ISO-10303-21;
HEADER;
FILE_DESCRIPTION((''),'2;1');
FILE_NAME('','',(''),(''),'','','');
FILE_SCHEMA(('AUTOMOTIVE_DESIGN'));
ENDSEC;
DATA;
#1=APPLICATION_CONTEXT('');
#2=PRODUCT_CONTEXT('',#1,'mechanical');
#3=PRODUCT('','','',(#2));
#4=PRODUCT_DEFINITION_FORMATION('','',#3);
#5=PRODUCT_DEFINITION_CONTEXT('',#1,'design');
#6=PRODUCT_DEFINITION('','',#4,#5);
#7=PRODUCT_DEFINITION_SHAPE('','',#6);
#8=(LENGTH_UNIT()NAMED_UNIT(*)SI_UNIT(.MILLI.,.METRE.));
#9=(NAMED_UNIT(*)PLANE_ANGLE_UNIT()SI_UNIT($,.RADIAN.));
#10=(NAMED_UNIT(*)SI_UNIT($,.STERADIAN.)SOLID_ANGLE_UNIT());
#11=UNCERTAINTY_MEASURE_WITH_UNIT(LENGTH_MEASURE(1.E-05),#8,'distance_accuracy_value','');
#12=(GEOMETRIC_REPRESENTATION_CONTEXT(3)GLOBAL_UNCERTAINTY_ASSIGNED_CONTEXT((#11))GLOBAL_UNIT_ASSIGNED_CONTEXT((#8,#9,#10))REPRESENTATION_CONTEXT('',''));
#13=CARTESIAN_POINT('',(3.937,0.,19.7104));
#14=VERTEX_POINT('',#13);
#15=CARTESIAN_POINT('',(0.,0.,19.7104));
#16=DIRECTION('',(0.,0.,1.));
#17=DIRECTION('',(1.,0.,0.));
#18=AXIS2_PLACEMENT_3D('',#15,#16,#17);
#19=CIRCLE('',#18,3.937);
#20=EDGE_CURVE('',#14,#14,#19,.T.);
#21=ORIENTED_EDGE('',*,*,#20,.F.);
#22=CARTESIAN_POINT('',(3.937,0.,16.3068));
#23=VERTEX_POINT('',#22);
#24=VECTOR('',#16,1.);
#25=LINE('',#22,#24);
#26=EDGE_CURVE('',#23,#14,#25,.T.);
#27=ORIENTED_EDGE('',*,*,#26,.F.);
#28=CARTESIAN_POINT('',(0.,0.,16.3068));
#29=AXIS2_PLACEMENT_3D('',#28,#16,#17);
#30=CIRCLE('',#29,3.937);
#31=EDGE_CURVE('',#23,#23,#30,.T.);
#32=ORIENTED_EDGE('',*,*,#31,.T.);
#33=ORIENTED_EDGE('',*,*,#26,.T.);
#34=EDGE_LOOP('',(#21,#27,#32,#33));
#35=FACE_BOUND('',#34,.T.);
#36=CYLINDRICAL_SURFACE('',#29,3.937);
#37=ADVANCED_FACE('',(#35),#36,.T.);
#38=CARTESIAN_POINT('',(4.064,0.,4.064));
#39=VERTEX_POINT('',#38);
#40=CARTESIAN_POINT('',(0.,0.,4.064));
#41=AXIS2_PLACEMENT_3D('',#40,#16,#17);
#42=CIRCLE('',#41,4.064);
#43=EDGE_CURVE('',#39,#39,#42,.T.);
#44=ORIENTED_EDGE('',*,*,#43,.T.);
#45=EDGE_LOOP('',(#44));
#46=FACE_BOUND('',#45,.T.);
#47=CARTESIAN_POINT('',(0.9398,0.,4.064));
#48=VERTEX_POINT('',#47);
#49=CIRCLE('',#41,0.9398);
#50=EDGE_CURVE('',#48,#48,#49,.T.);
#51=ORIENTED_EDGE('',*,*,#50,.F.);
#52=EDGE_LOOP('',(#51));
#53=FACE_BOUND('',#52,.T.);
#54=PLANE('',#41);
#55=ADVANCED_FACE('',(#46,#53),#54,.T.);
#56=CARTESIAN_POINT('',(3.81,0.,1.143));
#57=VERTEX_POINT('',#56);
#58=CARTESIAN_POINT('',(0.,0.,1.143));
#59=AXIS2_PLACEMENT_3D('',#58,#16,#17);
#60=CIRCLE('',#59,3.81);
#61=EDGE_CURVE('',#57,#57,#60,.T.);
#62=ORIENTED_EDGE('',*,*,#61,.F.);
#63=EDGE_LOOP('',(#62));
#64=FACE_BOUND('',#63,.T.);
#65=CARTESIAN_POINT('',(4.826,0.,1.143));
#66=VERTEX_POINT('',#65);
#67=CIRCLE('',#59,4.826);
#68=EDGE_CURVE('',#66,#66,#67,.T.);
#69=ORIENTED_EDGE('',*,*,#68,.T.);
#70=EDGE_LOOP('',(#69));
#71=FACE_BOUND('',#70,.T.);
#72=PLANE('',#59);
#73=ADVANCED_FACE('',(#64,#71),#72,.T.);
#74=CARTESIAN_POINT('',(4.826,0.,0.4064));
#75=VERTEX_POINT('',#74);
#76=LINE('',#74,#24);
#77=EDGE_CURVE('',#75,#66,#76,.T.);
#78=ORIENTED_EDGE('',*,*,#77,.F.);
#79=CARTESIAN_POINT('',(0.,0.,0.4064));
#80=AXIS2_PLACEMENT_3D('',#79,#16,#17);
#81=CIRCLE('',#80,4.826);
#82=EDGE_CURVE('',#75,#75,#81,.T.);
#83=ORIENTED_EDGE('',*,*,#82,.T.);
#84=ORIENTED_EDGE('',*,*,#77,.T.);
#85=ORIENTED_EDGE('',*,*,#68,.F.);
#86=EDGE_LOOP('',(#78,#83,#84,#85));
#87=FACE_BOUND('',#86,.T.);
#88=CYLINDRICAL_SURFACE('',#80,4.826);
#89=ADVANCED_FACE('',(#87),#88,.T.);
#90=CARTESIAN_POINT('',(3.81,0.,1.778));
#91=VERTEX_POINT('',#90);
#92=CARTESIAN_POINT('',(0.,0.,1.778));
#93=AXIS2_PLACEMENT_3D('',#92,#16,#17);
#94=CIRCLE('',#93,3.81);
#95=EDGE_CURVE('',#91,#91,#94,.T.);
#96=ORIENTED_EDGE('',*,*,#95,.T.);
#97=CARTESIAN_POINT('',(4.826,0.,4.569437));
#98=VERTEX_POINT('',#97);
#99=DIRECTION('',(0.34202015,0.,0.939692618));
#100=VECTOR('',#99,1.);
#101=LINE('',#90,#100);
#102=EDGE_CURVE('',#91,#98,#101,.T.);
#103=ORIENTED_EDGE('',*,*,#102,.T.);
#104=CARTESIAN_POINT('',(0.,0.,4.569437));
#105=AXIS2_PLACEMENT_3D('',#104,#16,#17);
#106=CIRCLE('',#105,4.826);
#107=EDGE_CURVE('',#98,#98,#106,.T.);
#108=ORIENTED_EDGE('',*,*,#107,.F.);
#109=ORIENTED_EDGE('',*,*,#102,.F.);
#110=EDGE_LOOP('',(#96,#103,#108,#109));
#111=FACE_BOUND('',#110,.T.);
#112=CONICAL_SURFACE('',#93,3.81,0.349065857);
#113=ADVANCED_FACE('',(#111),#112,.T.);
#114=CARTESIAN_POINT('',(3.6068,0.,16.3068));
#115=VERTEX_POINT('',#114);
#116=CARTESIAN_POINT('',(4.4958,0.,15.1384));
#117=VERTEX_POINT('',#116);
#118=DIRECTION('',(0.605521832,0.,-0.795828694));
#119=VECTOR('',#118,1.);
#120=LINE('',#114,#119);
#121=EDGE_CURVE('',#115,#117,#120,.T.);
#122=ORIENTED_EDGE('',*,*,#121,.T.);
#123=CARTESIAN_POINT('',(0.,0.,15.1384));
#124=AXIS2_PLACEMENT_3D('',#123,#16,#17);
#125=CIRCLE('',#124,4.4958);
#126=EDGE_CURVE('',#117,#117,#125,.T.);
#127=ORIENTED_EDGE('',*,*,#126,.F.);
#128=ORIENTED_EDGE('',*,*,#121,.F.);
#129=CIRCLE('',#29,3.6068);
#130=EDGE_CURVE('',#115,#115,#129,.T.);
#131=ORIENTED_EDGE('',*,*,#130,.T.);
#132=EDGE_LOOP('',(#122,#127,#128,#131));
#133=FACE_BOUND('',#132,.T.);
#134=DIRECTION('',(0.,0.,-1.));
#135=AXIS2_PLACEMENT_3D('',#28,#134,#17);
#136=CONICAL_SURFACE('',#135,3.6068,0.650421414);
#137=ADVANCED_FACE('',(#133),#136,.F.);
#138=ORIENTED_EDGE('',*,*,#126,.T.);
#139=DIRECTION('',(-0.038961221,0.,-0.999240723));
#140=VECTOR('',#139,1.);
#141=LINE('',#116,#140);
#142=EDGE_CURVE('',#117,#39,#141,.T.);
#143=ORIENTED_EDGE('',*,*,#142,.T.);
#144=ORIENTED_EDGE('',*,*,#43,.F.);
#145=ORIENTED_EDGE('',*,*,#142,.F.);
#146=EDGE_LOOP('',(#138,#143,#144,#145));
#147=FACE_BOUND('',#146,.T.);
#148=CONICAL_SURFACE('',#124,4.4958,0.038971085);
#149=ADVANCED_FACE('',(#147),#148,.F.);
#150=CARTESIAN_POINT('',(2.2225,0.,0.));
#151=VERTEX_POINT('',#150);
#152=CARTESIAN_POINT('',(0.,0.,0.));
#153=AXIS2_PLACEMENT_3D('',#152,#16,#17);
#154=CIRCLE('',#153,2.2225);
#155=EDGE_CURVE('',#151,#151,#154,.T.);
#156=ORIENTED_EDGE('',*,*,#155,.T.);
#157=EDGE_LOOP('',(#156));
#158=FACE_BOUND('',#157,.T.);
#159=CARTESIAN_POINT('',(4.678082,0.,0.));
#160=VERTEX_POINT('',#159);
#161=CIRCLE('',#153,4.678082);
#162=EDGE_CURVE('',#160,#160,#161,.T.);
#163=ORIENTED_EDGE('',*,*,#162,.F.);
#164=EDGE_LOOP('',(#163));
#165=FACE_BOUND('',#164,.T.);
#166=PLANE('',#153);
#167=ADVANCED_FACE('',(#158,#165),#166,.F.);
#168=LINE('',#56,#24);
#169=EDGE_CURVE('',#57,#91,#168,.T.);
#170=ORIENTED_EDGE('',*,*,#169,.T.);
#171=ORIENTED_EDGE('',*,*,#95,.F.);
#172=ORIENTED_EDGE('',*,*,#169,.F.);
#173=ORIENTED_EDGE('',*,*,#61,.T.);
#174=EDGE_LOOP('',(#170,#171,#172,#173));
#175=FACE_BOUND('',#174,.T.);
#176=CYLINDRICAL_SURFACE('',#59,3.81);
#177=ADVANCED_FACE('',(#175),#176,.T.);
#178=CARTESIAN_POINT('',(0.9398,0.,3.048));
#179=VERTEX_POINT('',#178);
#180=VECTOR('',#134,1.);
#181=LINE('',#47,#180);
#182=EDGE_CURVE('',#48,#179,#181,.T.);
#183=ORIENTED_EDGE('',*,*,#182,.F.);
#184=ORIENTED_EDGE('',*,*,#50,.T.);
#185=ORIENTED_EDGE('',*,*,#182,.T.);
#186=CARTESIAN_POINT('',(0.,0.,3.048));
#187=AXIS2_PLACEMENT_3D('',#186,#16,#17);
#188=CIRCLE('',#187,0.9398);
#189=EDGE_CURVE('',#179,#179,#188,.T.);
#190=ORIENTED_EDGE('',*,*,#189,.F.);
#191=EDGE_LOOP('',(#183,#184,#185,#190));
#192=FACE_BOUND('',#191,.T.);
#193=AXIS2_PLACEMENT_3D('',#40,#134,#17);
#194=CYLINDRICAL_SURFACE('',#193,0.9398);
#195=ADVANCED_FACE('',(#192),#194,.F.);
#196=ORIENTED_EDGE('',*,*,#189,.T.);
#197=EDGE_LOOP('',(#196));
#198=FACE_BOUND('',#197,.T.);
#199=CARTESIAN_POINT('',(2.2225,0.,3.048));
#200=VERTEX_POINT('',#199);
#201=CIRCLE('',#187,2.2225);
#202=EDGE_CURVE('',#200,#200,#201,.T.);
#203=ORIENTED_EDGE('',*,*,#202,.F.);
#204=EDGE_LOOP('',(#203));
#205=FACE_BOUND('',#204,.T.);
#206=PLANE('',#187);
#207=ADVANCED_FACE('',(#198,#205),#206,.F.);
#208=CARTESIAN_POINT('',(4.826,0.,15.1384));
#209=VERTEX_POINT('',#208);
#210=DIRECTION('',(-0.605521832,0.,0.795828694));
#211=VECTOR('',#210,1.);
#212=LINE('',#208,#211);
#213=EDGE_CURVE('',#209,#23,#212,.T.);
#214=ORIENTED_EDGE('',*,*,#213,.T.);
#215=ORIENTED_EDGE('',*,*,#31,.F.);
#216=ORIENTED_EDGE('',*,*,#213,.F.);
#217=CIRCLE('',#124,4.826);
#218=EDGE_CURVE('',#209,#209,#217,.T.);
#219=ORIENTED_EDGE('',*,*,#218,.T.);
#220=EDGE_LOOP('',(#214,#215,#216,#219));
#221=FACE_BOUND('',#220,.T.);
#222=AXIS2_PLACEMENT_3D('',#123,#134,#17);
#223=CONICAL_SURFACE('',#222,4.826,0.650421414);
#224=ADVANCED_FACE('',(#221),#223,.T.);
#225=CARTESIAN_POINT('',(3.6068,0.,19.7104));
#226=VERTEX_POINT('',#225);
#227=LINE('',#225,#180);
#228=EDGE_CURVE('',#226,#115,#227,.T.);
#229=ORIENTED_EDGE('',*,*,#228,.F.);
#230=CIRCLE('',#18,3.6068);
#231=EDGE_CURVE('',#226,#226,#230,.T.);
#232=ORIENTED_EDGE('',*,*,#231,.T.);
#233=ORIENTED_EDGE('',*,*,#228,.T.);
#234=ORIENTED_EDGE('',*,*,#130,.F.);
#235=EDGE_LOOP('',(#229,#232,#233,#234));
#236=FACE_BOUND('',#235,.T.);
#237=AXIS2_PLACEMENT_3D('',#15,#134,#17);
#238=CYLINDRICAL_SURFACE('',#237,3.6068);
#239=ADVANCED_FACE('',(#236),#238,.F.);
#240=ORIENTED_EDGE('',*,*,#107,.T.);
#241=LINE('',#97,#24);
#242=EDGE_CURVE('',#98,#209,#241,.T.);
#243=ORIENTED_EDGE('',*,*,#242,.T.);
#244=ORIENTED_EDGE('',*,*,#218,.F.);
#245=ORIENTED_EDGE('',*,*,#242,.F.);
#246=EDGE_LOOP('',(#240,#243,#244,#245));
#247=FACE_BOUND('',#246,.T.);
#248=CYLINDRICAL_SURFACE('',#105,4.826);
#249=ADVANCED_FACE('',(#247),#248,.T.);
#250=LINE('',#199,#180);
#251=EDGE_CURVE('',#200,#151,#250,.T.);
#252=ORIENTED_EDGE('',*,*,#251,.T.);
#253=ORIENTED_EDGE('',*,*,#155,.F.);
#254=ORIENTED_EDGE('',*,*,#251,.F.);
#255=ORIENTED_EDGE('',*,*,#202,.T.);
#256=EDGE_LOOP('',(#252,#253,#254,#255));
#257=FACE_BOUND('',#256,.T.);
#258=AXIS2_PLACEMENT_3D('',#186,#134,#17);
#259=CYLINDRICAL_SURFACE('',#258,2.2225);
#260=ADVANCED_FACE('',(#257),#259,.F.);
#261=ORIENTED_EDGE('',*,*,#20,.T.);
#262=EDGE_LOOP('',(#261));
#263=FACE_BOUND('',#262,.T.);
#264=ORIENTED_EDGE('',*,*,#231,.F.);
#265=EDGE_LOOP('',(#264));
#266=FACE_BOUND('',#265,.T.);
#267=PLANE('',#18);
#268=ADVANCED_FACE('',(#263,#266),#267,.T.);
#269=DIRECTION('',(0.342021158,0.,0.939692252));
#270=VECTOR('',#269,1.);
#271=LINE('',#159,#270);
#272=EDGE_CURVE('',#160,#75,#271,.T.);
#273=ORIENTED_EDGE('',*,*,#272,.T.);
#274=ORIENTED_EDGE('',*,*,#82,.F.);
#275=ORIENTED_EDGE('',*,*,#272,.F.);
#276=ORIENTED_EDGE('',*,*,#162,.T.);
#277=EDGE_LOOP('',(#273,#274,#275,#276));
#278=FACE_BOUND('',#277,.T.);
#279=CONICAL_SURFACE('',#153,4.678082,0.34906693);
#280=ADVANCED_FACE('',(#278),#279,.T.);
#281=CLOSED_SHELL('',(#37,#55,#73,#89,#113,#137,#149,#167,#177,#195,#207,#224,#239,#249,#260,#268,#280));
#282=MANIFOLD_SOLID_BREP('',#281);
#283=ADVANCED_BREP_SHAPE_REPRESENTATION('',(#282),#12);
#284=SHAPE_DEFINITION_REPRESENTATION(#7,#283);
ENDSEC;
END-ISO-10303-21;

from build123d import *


with BuildPart() as f1:
    # F0 (on Front) → F1 (revolve)
    with BuildSketch(Plane.XZ):
        Polygon((2.2225, 3.048), (2.2225, 0), (4.678082, 0), (4.826, 0.4064), (4.826, 1.143), (3.81, 1.143), (3.81, 1.778), (4.826, 4.569437), (4.826, 15.1384), (3.937, 16.3068), (3.937, 19.7104), (3.6068, 19.7104), (3.6068, 16.3068), (4.4958, 15.1384), (4.064, 4.064), (0.9398, 4.064), (0.9398, 3.048), align=None)
    revolve(axis=Axis((0, 0, 11.499301), (0, 0, 1)))


with BuildPart() as f2_1:
    # F2: copy of F1
    add(f1.part)


solid = f1.part
